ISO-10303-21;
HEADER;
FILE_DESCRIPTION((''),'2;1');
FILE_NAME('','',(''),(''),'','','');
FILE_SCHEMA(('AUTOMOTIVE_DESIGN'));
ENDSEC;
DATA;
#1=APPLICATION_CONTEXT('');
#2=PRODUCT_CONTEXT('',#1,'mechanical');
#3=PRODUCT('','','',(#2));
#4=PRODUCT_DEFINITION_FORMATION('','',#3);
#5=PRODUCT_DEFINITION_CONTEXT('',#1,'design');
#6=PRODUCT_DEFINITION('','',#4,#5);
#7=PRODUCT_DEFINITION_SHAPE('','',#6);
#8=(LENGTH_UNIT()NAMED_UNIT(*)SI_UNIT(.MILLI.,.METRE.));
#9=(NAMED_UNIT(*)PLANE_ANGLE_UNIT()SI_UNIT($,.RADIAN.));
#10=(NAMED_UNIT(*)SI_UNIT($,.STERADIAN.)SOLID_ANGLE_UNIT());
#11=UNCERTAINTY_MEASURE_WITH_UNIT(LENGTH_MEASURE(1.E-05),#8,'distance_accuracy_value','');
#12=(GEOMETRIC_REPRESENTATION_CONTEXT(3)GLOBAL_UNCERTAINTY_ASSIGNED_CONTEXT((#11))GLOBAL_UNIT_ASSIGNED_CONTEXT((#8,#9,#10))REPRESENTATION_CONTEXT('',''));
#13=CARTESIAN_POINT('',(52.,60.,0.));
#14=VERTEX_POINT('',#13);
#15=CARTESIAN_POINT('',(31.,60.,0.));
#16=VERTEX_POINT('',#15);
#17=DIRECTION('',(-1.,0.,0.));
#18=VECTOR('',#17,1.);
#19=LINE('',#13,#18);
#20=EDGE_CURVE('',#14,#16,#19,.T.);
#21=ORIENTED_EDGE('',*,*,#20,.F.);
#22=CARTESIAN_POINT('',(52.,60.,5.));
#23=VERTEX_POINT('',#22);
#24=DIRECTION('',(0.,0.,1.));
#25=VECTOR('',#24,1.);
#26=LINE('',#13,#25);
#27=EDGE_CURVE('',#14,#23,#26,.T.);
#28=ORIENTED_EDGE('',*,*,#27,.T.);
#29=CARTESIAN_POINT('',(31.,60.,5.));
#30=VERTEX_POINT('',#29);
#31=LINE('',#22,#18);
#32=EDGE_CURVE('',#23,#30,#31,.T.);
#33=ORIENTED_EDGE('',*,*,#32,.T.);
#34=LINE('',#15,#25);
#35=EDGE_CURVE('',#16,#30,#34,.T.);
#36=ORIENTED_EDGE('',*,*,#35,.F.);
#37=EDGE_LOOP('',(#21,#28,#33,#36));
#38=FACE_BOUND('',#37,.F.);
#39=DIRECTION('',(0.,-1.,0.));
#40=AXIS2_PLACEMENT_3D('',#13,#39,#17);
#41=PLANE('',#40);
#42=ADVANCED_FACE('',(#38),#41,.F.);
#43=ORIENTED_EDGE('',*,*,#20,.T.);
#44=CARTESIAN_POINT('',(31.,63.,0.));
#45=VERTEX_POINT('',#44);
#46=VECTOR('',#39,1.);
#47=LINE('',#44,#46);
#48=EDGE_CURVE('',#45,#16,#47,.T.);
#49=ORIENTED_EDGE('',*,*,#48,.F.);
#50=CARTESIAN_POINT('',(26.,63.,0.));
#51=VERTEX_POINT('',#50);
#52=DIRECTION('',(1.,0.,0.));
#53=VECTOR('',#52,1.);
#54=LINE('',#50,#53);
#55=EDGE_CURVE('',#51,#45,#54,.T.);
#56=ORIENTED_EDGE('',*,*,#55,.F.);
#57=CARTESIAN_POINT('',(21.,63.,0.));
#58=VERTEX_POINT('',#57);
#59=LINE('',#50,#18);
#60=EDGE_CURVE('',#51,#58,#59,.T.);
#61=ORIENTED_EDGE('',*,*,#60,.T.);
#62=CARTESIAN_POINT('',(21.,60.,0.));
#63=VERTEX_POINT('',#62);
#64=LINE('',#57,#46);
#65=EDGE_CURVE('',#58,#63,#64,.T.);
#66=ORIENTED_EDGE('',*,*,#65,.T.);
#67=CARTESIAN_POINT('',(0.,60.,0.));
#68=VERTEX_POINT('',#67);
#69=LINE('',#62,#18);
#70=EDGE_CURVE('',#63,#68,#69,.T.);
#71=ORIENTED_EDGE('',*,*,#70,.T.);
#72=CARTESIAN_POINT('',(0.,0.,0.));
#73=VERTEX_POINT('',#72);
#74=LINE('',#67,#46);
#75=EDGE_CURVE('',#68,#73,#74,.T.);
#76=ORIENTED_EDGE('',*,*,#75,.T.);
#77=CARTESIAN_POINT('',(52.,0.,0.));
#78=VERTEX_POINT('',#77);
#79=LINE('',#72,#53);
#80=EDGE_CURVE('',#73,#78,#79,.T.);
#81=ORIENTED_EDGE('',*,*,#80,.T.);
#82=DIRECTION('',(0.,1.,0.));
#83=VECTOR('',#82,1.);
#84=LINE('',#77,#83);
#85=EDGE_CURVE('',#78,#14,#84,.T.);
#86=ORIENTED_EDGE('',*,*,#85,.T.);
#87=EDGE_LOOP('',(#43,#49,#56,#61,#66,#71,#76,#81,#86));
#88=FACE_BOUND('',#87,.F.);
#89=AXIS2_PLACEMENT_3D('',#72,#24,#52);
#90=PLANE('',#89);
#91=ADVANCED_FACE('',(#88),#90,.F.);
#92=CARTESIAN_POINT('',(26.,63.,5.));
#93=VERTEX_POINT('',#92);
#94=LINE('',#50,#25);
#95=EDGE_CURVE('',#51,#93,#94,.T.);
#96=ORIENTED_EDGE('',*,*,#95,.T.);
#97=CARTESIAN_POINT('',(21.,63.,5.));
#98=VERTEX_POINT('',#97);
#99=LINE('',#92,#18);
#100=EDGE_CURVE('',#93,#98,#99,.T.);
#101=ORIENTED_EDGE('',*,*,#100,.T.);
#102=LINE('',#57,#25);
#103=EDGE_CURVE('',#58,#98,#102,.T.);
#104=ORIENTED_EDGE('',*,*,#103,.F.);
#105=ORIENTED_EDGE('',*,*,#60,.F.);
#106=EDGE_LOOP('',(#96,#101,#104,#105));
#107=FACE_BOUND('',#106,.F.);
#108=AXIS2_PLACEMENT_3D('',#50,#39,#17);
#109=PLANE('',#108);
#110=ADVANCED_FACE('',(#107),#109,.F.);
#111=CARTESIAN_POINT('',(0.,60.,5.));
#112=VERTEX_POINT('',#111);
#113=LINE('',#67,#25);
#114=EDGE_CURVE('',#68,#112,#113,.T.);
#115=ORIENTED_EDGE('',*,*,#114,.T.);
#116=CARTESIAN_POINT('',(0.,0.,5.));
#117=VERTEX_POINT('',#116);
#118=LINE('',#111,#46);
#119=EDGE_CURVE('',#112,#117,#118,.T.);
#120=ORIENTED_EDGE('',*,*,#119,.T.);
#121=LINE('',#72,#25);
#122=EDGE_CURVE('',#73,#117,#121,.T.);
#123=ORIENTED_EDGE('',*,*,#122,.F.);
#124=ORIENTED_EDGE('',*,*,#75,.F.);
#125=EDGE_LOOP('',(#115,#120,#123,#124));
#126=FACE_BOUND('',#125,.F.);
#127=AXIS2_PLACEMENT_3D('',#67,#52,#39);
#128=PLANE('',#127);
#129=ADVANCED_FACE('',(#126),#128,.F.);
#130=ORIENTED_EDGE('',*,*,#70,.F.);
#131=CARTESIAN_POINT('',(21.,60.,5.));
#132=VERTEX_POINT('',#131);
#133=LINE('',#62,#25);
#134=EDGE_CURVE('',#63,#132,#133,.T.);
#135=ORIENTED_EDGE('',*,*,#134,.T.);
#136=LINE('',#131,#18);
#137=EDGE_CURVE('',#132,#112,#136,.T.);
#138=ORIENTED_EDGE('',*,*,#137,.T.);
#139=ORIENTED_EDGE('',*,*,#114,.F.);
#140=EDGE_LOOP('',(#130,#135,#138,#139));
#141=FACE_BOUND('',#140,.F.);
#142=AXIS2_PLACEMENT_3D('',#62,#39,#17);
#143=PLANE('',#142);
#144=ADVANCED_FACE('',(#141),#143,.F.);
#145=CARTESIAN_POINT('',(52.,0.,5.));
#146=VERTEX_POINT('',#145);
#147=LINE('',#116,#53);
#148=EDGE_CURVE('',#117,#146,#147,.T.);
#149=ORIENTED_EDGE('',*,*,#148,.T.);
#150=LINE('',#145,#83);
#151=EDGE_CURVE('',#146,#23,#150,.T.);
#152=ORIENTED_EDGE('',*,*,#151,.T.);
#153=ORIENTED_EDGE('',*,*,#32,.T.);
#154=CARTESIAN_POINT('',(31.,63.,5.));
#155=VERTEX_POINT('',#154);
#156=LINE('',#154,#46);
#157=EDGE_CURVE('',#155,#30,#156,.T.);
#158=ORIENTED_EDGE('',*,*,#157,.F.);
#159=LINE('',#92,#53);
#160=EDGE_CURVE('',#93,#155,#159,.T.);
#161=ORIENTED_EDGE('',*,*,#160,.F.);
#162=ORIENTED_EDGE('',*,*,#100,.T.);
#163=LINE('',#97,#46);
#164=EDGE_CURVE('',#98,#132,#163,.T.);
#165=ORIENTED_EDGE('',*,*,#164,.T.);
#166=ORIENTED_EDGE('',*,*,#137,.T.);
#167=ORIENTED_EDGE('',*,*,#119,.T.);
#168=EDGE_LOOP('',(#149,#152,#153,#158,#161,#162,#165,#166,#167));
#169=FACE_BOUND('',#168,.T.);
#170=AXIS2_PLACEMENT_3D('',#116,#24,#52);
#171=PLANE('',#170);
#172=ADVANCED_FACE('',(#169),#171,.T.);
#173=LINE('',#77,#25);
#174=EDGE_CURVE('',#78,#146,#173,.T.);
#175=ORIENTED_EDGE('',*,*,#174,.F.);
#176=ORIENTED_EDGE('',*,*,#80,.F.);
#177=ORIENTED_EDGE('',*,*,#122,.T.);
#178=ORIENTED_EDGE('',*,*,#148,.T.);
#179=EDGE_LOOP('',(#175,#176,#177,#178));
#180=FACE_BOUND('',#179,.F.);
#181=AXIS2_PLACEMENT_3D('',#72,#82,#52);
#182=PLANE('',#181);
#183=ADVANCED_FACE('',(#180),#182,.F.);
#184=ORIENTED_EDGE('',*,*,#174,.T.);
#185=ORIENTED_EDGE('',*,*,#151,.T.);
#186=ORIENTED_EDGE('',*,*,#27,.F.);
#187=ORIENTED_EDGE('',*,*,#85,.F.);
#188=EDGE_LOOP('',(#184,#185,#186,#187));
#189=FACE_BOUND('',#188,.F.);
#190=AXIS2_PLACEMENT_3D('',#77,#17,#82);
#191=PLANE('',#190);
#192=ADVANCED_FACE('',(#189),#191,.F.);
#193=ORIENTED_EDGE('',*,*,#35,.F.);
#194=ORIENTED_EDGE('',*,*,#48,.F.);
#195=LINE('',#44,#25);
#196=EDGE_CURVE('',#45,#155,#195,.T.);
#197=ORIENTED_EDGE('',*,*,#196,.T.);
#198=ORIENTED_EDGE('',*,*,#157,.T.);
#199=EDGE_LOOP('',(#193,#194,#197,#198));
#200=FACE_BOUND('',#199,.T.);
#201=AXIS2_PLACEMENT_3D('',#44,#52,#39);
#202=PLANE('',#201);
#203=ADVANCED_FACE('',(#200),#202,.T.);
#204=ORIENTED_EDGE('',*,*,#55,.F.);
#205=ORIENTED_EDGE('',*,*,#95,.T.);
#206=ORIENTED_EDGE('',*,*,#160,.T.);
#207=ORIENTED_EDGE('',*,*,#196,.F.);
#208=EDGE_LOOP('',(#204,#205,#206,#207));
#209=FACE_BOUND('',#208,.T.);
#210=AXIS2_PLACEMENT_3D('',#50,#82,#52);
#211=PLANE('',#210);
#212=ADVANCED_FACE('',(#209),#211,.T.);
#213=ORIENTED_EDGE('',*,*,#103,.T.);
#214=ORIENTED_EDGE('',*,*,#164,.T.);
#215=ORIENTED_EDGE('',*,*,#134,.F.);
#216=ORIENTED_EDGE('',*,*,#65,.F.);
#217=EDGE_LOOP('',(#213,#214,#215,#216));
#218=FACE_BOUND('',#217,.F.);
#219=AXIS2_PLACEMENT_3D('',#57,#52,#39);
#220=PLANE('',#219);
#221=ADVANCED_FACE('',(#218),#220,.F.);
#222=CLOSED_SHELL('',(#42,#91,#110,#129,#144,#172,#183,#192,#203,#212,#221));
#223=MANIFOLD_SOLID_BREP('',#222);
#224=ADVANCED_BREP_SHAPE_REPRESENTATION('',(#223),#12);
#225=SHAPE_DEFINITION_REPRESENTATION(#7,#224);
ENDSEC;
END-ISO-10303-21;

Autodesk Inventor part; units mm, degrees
ref_plane "YZ Plane" through (0, 0, 0) normal (1, 0, 0) x (0, 1, 0)
ref_plane "XZ Plane" through (0, 0, 0) normal (0, 1, 0) x (-1, 0, 0)
ref_plane "XY Plane" through (0, 0, 0) normal (0, 0, 1) x (1, 0, 0)
sketch "Boceto1" plane through (0, 0, 0) normal (0, 0, 1) x (1, 0, 0)
  line L0 (0, 0) -> (52, 0)
  line L1 (52, 0) -> (52, 60)
  line L2 (0, 60) -> (0, 0)
  line L3 (26, 63) -> (21, 63)
  line L4 (21, 63) -> (21, 60)
  line L5 (26, 63) -> (31, 63)
  line L6 (31, 63) -> (31, 60)
  line L7 (52, 60) -> (31, 60)
  line L8 (21, 60) -> (0, 60)
  dimension "d0" = 52
  dimension "d1" = 60
extrude "Extrusión1" add sketch "Boceto1" along normal blind 5
properties part number "bateria" material "Aluminum 6061"
